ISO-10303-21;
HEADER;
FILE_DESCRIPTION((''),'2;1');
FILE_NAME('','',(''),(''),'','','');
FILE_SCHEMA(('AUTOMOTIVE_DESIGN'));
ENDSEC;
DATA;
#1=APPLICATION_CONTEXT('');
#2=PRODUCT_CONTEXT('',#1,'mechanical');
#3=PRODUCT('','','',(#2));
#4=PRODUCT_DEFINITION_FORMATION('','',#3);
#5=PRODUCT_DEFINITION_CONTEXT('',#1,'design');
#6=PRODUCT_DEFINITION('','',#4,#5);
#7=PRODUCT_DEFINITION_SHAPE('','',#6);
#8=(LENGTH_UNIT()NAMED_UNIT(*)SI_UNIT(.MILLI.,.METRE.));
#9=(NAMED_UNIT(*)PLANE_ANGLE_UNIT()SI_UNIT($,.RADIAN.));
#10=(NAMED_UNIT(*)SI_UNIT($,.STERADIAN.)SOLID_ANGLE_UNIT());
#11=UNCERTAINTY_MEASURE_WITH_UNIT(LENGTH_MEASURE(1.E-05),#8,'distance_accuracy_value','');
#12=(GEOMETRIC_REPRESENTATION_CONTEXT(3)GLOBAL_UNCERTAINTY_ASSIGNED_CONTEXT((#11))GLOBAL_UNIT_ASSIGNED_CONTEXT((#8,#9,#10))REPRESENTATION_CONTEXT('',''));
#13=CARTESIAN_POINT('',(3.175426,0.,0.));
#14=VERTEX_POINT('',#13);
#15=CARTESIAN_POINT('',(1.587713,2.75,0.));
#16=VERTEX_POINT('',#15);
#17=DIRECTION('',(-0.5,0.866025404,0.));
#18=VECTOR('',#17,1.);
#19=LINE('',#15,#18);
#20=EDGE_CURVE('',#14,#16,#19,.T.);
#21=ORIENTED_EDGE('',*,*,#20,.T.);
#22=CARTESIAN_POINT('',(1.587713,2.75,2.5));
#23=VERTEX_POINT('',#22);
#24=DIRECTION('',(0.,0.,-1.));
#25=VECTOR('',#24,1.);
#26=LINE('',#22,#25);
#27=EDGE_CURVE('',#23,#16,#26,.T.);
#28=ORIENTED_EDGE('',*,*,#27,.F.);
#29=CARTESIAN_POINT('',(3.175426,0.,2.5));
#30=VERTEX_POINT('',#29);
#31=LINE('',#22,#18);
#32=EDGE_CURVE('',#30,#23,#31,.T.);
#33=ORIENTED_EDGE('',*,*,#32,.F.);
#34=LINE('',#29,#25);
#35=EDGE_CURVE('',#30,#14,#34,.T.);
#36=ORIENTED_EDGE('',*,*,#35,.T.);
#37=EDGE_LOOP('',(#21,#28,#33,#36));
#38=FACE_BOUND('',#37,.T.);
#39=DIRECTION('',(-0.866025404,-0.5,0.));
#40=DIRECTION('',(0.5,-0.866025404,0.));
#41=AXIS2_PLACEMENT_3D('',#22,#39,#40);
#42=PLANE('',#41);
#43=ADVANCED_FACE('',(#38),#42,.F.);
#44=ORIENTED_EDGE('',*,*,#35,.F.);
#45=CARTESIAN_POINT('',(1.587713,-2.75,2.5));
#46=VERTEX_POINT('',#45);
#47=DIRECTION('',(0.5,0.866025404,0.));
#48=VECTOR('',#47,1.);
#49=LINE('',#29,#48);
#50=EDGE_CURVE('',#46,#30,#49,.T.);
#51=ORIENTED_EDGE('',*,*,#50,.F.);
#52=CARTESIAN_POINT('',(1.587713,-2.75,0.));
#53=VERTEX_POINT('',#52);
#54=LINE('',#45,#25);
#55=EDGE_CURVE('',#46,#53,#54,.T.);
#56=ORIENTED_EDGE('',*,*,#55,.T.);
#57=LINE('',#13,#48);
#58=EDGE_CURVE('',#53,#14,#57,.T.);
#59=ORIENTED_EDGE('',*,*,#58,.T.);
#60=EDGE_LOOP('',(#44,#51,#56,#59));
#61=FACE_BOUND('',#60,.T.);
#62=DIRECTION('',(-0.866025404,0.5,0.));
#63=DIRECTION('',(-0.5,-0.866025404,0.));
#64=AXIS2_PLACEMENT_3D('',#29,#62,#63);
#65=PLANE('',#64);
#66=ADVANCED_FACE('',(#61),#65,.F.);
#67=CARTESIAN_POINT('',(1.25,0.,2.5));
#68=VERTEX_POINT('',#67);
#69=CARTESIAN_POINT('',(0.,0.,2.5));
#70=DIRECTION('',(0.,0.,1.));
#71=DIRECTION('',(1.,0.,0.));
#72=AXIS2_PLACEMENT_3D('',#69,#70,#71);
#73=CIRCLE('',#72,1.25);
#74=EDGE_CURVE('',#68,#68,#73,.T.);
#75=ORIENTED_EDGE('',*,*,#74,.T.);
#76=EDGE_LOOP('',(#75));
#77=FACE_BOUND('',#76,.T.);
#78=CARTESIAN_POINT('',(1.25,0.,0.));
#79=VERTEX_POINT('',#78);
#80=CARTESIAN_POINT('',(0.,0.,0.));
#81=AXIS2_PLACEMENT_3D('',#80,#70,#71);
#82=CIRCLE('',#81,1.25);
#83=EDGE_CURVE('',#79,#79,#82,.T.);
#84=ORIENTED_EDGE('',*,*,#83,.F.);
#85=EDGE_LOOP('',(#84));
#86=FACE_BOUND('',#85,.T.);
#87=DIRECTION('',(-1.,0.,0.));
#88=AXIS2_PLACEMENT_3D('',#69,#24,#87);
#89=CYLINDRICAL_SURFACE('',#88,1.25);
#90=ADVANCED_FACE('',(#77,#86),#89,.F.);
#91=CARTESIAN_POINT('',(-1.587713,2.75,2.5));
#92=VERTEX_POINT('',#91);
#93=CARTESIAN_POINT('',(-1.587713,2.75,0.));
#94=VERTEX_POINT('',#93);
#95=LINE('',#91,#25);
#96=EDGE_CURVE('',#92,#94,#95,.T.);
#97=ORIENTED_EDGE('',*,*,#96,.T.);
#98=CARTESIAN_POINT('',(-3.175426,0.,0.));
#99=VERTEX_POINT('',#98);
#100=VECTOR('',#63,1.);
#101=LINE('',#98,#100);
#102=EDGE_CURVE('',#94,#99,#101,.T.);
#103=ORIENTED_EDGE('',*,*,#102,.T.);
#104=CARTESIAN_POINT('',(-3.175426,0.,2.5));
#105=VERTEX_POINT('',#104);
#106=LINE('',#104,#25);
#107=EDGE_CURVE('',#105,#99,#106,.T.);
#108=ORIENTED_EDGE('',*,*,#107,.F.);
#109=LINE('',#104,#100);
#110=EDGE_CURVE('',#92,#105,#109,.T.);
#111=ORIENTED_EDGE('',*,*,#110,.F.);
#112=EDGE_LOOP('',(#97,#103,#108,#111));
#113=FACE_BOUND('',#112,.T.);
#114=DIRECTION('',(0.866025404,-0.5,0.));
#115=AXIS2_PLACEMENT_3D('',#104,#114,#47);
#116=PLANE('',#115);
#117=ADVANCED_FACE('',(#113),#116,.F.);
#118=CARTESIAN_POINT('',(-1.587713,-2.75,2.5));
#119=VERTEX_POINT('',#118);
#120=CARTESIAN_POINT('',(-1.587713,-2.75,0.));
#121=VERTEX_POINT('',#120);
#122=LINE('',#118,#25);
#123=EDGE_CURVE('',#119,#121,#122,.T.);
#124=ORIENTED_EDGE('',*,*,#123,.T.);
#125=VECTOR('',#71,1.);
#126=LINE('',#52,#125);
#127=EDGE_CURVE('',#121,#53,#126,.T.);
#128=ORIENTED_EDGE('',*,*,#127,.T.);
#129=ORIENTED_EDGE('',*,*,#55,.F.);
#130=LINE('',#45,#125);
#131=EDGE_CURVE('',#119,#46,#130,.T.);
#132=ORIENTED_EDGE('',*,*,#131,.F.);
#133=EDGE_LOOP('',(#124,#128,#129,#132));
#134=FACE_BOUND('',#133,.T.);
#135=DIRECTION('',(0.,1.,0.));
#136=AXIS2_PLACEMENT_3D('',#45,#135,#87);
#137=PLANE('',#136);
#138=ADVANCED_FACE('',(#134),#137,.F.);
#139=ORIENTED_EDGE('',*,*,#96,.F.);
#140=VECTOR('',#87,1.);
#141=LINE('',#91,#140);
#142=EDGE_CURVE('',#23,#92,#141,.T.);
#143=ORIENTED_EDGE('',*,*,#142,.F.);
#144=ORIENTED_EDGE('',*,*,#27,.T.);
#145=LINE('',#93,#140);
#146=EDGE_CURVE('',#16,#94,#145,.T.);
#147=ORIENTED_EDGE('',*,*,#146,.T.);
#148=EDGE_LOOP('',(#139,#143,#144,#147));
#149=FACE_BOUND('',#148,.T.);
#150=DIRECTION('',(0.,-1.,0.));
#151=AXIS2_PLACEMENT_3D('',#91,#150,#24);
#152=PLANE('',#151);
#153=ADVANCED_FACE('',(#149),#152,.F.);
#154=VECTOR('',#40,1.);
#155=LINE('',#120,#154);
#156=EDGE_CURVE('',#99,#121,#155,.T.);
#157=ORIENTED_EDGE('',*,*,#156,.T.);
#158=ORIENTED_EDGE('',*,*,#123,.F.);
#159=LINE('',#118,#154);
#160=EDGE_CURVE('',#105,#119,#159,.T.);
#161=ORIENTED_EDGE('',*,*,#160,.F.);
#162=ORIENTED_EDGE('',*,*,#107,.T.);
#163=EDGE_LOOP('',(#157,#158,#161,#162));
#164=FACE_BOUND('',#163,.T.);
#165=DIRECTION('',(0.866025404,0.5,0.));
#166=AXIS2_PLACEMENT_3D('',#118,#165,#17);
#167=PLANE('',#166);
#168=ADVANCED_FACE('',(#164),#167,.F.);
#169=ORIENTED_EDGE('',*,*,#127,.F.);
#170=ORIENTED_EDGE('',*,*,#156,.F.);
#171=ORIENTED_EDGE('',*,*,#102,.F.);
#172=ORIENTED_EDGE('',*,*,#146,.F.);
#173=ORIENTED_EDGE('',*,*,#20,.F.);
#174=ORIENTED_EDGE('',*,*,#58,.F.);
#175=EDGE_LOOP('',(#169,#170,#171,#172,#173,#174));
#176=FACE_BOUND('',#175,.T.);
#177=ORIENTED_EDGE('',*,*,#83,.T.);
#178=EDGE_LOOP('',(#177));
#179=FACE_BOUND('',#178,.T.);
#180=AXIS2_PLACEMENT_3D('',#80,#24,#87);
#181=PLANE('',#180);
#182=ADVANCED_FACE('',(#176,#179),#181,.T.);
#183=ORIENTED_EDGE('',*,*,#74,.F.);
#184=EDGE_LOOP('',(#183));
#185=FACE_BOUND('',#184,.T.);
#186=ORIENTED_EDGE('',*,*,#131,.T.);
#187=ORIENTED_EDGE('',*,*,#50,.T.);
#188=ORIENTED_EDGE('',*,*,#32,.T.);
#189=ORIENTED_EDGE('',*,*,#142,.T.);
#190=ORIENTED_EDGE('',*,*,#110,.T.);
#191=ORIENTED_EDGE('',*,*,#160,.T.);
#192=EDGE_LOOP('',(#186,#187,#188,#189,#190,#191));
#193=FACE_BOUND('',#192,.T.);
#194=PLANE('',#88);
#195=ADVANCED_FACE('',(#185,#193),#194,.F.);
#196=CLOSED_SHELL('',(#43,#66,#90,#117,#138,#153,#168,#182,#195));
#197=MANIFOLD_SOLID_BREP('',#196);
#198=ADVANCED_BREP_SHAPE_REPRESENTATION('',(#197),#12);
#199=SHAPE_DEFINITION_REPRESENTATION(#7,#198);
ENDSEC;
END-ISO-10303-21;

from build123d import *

# Parameters (mm, degrees)
ESQUISSE1_R        = 1.25
BOSS_EXTRU_1_DEPTH = 2.5


with BuildPart() as part:
    # Esquisse1 → Boss.-Extru.1 (new body)
    with BuildSketch(Plane.XY):
        Polygon((-1.58771324, 2.75), (1.58771324, 2.75), (3.175426481, 0), (1.58771324, -2.75), (-1.58771324, -2.75), (-3.175426481, 0), align=None)
        Circle(ESQUISSE1_R, mode=Mode.SUBTRACT)
    extrude(amount=BOSS_EXTRU_1_DEPTH)


solid = part.part
